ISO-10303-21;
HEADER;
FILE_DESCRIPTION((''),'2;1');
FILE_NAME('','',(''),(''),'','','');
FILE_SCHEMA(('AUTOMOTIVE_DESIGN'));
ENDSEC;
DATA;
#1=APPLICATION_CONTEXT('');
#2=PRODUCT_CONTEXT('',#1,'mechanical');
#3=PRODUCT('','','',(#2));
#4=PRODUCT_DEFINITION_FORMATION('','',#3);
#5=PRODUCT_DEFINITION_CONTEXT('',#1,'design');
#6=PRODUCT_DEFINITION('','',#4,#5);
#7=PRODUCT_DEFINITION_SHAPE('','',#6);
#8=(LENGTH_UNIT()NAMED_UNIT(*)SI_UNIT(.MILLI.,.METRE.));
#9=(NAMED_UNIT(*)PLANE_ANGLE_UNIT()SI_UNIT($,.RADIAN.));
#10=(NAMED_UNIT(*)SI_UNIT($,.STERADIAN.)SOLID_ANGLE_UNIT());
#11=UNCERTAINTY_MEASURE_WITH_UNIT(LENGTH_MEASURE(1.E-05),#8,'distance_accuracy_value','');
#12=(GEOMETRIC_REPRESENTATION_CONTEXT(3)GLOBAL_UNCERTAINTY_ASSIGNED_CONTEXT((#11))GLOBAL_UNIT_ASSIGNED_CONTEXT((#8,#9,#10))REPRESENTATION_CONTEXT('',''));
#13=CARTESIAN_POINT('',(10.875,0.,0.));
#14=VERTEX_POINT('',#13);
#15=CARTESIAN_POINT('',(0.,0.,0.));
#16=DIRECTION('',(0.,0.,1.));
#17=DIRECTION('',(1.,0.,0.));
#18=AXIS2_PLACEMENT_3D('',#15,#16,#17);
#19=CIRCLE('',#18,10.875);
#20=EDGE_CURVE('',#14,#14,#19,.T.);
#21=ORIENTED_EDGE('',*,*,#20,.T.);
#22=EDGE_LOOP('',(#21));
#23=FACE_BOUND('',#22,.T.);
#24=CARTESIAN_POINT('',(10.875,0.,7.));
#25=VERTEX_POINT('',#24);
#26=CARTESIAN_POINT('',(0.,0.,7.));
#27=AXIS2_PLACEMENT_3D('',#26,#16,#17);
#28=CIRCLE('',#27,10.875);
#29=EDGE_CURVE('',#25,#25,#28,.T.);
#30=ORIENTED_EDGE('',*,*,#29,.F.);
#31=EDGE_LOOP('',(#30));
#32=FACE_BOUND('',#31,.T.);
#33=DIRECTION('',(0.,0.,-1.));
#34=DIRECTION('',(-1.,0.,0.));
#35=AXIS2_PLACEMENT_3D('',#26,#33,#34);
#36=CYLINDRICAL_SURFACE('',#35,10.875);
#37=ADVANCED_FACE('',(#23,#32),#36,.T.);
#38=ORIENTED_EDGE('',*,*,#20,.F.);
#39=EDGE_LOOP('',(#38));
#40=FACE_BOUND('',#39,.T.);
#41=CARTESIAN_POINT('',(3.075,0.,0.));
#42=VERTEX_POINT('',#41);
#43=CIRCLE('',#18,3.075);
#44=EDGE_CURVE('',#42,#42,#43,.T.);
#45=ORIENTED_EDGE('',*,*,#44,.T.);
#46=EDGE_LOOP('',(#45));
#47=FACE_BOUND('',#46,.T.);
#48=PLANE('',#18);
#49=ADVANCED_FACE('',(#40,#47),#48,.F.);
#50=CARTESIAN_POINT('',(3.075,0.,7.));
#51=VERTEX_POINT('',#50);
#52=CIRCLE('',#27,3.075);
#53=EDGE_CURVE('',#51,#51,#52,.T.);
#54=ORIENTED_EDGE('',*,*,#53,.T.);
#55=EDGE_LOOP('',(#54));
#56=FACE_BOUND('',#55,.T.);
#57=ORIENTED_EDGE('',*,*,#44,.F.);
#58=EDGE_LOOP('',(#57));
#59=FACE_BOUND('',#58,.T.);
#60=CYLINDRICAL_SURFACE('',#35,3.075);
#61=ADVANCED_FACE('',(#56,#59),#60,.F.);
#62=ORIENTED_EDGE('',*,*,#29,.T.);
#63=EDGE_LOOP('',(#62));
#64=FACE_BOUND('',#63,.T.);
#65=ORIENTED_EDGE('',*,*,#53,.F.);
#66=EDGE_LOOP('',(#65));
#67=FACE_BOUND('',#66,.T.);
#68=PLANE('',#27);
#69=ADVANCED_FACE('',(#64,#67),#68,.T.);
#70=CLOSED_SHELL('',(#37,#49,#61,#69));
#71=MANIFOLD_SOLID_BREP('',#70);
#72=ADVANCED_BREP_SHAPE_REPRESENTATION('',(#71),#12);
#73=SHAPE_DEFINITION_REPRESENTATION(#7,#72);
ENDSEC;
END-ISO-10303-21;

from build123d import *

# Parameters (mm, degrees)
SKETCH1_R           = 10.875
SKETCH1_R_2         = 3.075
BOSS_EXTRUDE1_DEPTH = 7


with BuildPart() as part:
    # Sketch1 → Boss-Extrude1 (new body)
    with BuildSketch(Plane.XY):
        Circle(SKETCH1_R)
        Circle(SKETCH1_R_2, mode=Mode.SUBTRACT)
    extrude(amount=BOSS_EXTRUDE1_DEPTH)


solid = part.part
